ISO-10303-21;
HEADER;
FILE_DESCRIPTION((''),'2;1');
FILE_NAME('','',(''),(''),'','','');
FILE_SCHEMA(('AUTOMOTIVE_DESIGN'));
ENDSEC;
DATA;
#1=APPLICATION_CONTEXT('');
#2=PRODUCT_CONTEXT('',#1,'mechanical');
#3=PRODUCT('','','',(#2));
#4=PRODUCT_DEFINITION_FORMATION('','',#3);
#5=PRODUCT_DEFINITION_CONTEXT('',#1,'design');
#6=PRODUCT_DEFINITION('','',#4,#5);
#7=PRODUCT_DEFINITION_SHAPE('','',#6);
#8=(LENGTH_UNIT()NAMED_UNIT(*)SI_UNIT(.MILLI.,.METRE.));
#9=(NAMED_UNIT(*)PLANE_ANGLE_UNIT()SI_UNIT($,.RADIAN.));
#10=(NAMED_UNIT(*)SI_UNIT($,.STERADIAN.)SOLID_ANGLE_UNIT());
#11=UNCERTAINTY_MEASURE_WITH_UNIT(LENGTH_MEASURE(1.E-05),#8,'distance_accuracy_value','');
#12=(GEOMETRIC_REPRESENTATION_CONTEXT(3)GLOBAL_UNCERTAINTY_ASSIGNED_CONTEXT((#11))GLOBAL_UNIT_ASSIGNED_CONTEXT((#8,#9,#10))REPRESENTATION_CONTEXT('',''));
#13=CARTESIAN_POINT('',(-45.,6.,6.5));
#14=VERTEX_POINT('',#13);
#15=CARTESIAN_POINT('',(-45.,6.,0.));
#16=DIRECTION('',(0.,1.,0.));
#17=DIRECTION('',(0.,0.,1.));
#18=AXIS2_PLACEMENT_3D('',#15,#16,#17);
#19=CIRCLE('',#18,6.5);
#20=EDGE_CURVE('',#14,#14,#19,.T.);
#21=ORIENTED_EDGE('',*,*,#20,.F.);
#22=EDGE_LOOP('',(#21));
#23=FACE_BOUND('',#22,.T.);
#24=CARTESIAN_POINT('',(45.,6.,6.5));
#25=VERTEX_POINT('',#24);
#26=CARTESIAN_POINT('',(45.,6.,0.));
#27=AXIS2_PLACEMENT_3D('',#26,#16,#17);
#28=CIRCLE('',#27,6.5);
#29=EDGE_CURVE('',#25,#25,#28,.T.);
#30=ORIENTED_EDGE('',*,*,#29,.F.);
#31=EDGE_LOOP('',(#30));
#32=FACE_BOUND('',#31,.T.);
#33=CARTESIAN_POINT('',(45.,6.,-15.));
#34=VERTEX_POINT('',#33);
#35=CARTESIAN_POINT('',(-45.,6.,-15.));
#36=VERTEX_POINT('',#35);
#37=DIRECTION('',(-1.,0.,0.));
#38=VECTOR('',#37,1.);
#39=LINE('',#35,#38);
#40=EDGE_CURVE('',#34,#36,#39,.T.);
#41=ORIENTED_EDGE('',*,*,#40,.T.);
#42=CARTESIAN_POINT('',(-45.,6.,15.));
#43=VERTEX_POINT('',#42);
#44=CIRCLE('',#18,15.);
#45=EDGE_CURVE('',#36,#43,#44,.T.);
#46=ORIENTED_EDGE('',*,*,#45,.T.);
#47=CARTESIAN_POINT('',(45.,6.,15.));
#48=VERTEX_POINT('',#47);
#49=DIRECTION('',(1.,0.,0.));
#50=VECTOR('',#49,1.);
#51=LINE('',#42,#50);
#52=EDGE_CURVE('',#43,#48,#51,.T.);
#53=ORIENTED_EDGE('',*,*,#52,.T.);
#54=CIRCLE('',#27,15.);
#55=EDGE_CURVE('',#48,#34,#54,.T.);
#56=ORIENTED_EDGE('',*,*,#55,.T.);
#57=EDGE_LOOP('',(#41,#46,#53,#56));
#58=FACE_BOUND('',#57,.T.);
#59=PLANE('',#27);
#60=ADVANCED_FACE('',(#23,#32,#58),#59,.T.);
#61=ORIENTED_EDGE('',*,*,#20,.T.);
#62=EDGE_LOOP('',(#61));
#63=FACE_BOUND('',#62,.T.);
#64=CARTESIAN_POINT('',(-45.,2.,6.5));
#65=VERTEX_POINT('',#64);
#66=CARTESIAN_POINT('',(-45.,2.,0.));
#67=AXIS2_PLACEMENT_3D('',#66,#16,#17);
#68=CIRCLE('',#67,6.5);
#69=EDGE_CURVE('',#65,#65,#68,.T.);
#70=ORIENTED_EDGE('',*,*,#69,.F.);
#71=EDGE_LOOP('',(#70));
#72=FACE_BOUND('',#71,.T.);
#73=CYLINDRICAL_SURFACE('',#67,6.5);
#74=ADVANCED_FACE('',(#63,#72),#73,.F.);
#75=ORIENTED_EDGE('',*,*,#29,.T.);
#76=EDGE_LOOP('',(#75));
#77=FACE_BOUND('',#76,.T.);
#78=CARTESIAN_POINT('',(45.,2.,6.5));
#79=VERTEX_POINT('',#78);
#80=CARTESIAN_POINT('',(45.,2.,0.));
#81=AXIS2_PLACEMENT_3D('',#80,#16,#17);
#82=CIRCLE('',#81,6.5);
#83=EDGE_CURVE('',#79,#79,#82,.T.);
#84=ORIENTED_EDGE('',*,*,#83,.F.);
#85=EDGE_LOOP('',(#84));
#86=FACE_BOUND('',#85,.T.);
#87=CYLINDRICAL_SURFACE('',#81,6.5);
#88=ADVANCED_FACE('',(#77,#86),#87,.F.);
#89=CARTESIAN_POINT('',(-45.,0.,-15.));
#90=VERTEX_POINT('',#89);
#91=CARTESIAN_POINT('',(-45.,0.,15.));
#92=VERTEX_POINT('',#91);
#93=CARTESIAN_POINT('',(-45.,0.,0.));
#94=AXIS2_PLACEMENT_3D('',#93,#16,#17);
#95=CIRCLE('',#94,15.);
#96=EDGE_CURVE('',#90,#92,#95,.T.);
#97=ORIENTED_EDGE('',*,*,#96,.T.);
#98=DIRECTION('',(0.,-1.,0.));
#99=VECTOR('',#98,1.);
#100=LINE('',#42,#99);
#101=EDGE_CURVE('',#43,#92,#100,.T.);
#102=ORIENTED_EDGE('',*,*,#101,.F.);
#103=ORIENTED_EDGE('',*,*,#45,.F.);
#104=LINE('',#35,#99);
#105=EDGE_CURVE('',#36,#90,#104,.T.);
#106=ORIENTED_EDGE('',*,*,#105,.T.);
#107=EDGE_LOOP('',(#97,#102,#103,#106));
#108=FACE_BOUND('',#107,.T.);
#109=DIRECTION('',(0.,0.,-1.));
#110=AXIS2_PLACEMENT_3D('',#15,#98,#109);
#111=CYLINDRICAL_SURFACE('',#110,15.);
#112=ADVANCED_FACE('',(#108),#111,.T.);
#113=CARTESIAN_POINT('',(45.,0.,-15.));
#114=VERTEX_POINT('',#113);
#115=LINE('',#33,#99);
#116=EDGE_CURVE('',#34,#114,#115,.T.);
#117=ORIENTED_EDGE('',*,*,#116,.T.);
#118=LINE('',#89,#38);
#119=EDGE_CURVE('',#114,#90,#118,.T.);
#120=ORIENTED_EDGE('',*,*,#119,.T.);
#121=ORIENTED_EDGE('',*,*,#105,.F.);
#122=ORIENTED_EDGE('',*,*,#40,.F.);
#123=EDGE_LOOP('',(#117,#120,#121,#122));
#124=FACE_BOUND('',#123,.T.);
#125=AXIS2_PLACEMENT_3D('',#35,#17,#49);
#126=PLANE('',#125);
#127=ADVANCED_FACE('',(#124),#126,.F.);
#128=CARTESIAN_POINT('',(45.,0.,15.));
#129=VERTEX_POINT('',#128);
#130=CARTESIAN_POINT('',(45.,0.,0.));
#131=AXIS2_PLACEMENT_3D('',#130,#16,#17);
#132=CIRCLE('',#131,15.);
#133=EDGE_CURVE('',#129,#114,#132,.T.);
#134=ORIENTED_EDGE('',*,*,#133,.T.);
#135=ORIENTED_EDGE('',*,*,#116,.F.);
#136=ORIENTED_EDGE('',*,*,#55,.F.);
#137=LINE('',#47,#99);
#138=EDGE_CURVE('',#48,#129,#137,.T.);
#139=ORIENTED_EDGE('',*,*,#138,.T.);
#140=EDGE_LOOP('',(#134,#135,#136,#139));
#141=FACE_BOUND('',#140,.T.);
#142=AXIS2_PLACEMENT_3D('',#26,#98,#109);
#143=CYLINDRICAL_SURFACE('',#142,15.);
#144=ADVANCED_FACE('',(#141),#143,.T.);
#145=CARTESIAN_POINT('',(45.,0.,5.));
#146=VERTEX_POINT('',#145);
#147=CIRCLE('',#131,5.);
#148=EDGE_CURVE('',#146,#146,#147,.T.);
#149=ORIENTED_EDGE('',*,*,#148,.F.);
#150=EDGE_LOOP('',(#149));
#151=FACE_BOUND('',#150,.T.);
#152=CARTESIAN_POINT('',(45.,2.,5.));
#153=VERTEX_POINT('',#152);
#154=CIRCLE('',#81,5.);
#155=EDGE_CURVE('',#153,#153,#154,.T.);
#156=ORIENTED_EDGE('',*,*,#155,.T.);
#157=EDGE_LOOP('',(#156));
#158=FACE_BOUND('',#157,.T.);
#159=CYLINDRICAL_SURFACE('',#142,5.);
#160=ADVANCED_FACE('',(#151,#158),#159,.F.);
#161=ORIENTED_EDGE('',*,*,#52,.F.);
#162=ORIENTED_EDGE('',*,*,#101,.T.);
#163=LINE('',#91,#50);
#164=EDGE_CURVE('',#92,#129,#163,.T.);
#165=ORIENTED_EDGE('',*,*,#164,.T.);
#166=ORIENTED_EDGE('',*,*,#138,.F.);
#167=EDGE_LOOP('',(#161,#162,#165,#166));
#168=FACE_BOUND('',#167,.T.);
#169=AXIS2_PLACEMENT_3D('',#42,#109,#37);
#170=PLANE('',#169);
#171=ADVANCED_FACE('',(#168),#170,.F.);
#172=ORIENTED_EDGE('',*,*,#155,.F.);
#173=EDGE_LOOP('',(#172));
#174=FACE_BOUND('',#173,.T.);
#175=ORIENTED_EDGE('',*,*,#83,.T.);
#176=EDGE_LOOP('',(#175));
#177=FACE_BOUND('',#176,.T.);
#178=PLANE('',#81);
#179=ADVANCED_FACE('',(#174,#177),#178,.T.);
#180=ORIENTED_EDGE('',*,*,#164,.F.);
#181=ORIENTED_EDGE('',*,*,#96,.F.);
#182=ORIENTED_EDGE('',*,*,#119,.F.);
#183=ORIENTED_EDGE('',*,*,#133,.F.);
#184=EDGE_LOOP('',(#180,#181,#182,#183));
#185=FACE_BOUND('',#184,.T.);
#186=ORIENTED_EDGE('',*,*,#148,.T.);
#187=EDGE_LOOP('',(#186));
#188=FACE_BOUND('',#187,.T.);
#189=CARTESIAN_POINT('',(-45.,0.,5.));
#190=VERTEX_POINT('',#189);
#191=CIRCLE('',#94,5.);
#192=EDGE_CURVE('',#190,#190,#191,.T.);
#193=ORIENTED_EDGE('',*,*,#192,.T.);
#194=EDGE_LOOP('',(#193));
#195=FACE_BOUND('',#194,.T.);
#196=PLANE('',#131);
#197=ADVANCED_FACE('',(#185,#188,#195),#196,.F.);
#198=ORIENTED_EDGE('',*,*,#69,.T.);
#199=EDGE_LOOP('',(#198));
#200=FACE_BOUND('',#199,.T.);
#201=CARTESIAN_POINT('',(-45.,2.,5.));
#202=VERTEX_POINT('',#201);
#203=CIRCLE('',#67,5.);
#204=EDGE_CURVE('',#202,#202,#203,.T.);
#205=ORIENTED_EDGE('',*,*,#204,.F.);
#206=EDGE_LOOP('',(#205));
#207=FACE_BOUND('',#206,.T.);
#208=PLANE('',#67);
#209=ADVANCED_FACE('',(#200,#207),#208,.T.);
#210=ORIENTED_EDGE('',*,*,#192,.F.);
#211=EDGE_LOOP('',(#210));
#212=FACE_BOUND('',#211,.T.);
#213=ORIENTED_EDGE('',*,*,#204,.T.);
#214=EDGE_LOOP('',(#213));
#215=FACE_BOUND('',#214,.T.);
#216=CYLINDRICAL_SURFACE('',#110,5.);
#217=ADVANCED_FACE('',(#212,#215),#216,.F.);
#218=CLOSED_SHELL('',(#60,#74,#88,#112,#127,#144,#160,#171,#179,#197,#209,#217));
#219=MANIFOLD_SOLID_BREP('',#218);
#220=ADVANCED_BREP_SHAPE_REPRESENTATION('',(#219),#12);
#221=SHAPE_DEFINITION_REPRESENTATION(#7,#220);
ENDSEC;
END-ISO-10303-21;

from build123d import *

# Parameters (mm, degrees)
SKETCH2_R           = 5
BOSS_EXTRUDE1_DEPTH = 6
SKETCH3_R           = 6.5
CUT_EXTRUDE1_DEPTH  = 4


with BuildPart() as part:
    # Sketch2 → Boss-Extrude1 (new body)
    with BuildSketch(Plane(origin=(0, 0, 0), x_dir=(1, 0, 0), z_dir=(0, 1, 0))):
        with BuildLine():
            Line((-45, 15), (45, 15))
            ThreePointArc((45, 15), (60, 0), (45, -15))
            Line((45, -15), (-45, -15))
            ThreePointArc((-45, -15), (-60, 0), (-45, 15))
        make_face()
        with Locations(Location((-45, 0, 0), (0, 0, 270))):
            Circle(SKETCH2_R, mode=Mode.SUBTRACT)
        with Locations(Location((45, 0, 0), (0, 0, 270))):
            Circle(SKETCH2_R, mode=Mode.SUBTRACT)
    extrude(amount=BOSS_EXTRUDE1_DEPTH)

    # Sketch3 → Cut-Extrude1 (cut)
    with BuildSketch(Plane(origin=(0, 6, 0), x_dir=(1, 0, 0), z_dir=(0, 1, 0))):
        with Locations(Location((-45, 0, 0), (0, 0, 270))):
            Circle(SKETCH3_R)
        with Locations(Location((45, 0, 0), (0, 0, 270))):
            Circle(SKETCH3_R)
    extrude(amount=-CUT_EXTRUDE1_DEPTH, mode=Mode.SUBTRACT)


solid = part.part
